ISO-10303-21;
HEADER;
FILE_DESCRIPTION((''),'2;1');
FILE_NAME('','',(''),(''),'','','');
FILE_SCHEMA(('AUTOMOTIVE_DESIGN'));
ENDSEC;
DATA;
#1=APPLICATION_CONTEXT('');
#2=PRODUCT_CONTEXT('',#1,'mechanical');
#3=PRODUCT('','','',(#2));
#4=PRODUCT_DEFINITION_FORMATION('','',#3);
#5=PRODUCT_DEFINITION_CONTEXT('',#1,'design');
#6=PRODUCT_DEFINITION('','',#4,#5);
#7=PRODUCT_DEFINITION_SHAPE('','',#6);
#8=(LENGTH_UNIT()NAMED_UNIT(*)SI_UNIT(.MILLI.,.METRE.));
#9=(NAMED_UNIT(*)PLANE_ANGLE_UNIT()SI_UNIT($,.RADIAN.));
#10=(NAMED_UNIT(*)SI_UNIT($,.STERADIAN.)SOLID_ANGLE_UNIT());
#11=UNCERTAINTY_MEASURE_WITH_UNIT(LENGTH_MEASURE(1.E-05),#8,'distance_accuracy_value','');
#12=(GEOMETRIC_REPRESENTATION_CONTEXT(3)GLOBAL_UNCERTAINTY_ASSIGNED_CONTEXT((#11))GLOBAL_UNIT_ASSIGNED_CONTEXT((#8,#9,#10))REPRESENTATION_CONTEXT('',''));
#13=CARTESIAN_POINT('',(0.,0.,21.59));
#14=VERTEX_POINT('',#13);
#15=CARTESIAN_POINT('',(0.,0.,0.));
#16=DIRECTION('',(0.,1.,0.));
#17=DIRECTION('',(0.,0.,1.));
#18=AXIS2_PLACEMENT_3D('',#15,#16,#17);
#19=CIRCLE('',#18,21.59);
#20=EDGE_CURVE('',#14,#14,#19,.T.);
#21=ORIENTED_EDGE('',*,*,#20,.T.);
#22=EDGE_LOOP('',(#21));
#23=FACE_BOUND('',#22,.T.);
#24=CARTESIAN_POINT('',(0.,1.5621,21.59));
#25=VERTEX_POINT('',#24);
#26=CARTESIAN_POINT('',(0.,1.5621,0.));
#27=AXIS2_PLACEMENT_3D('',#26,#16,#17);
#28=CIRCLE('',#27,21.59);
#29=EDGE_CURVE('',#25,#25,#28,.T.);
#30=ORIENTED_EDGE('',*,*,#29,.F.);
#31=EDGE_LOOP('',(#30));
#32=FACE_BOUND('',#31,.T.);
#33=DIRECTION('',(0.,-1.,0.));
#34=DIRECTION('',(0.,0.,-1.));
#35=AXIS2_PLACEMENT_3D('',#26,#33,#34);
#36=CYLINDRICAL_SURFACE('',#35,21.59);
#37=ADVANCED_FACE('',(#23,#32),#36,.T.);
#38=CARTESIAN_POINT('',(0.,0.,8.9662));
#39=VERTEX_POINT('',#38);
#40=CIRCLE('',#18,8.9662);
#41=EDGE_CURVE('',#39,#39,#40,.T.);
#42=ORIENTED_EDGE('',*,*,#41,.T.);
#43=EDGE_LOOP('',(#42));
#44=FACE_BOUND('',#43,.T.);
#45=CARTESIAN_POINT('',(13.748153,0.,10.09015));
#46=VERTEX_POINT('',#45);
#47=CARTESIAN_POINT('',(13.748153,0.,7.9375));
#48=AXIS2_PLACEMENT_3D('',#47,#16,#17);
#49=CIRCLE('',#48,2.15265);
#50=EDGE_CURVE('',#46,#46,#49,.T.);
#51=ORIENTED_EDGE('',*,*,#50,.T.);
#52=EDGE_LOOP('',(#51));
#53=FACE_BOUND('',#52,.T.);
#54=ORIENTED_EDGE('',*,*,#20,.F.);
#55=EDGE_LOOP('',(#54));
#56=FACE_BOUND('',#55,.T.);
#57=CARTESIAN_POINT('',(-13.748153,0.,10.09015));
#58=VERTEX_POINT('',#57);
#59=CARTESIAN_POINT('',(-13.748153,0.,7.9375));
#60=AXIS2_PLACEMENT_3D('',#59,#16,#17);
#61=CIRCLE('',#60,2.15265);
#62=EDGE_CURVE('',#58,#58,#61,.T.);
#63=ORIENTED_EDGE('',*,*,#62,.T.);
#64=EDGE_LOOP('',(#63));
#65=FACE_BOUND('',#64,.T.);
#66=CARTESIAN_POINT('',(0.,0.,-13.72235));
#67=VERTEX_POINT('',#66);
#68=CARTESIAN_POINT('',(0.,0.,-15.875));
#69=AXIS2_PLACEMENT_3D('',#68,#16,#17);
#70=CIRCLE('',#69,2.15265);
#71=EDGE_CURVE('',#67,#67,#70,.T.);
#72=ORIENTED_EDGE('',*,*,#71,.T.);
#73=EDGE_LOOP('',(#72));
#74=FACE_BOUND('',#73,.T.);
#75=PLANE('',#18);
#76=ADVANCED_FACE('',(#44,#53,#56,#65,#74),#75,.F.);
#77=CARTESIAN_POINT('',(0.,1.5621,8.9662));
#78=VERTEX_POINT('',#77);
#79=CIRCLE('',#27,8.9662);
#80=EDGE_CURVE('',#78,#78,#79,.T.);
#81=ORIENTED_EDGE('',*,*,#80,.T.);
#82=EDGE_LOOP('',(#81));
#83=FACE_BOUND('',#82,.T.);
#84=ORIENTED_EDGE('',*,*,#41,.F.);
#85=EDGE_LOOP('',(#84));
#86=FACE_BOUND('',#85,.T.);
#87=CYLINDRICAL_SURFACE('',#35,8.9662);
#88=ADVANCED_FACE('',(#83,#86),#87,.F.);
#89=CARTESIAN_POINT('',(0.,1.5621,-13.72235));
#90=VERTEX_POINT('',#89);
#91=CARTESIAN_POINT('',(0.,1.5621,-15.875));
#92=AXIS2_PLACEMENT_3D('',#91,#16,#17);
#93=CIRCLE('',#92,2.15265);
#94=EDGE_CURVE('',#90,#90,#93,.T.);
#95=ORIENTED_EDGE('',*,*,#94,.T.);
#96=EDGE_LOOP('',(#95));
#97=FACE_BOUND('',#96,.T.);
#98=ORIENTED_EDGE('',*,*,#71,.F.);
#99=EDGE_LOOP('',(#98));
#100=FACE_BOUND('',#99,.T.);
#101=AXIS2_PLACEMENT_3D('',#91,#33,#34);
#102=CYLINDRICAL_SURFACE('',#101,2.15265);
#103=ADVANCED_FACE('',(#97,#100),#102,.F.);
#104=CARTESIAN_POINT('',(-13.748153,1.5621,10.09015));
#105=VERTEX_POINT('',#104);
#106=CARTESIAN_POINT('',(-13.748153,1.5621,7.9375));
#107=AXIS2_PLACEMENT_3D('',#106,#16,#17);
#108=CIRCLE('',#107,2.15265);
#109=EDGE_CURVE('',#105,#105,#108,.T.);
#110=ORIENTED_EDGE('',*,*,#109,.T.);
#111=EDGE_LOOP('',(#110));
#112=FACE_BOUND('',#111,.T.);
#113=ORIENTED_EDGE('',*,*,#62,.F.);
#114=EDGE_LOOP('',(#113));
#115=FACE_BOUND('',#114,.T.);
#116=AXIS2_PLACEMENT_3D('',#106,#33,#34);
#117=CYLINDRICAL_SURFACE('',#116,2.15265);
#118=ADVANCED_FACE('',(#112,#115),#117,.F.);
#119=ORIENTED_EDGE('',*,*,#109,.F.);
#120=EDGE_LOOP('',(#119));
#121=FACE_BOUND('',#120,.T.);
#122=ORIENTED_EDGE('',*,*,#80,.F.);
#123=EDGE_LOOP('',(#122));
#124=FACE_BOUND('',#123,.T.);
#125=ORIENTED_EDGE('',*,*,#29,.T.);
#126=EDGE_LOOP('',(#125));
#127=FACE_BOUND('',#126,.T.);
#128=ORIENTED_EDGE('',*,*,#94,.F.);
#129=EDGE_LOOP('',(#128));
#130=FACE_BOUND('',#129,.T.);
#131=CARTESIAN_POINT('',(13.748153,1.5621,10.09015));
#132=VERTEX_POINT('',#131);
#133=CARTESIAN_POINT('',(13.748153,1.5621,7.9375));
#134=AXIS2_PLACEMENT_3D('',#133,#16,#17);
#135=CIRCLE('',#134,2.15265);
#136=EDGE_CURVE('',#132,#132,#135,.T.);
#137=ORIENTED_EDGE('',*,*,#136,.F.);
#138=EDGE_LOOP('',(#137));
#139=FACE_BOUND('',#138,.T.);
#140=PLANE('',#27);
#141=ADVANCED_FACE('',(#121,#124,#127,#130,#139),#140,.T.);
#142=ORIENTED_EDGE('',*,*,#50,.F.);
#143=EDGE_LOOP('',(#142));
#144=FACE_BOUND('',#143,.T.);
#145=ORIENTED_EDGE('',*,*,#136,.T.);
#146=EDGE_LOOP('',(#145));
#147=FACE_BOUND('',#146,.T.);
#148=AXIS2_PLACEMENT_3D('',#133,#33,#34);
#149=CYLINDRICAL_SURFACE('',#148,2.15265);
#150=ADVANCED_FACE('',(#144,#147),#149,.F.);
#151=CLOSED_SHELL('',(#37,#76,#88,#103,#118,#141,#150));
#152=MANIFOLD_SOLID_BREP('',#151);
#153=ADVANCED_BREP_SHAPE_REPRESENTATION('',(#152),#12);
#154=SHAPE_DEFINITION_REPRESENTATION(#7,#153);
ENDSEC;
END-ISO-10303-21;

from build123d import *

# Parameters (mm, degrees)
SKETCH1_R           = 21.59
SKETCH1_R_2         = 8.9662
SKETCH1_R_3         = 2.15265
BOSS_EXTRUDE1_DEPTH = 1.5621


with BuildPart() as part:
    # Sketch1 → Boss-Extrude1 (new body)
    with BuildSketch(Plane(origin=(0, 0, 0), x_dir=(1, 0, 0), z_dir=(0, 1, 0))):
        with Locations(Location((0, 0, 0), (0, 0, 270))):
            Circle(SKETCH1_R)
        with Locations(Location((0, 0, 0), (0, 0, 270))):
            Circle(SKETCH1_R_2, mode=Mode.SUBTRACT)
        with Locations(Location((0, 15.875, 0), (0, 0, 270))):
            Circle(SKETCH1_R_3, mode=Mode.SUBTRACT)
        with Locations(Location((13.748153285, -7.9375, 0), (0, 0, 270))):
            Circle(SKETCH1_R_3, mode=Mode.SUBTRACT)
        with Locations(Location((-13.748153285, -7.9375, 0), (0, 0, 270))):
            Circle(SKETCH1_R_3, mode=Mode.SUBTRACT)
    extrude(amount=BOSS_EXTRUDE1_DEPTH)


solid = part.part
